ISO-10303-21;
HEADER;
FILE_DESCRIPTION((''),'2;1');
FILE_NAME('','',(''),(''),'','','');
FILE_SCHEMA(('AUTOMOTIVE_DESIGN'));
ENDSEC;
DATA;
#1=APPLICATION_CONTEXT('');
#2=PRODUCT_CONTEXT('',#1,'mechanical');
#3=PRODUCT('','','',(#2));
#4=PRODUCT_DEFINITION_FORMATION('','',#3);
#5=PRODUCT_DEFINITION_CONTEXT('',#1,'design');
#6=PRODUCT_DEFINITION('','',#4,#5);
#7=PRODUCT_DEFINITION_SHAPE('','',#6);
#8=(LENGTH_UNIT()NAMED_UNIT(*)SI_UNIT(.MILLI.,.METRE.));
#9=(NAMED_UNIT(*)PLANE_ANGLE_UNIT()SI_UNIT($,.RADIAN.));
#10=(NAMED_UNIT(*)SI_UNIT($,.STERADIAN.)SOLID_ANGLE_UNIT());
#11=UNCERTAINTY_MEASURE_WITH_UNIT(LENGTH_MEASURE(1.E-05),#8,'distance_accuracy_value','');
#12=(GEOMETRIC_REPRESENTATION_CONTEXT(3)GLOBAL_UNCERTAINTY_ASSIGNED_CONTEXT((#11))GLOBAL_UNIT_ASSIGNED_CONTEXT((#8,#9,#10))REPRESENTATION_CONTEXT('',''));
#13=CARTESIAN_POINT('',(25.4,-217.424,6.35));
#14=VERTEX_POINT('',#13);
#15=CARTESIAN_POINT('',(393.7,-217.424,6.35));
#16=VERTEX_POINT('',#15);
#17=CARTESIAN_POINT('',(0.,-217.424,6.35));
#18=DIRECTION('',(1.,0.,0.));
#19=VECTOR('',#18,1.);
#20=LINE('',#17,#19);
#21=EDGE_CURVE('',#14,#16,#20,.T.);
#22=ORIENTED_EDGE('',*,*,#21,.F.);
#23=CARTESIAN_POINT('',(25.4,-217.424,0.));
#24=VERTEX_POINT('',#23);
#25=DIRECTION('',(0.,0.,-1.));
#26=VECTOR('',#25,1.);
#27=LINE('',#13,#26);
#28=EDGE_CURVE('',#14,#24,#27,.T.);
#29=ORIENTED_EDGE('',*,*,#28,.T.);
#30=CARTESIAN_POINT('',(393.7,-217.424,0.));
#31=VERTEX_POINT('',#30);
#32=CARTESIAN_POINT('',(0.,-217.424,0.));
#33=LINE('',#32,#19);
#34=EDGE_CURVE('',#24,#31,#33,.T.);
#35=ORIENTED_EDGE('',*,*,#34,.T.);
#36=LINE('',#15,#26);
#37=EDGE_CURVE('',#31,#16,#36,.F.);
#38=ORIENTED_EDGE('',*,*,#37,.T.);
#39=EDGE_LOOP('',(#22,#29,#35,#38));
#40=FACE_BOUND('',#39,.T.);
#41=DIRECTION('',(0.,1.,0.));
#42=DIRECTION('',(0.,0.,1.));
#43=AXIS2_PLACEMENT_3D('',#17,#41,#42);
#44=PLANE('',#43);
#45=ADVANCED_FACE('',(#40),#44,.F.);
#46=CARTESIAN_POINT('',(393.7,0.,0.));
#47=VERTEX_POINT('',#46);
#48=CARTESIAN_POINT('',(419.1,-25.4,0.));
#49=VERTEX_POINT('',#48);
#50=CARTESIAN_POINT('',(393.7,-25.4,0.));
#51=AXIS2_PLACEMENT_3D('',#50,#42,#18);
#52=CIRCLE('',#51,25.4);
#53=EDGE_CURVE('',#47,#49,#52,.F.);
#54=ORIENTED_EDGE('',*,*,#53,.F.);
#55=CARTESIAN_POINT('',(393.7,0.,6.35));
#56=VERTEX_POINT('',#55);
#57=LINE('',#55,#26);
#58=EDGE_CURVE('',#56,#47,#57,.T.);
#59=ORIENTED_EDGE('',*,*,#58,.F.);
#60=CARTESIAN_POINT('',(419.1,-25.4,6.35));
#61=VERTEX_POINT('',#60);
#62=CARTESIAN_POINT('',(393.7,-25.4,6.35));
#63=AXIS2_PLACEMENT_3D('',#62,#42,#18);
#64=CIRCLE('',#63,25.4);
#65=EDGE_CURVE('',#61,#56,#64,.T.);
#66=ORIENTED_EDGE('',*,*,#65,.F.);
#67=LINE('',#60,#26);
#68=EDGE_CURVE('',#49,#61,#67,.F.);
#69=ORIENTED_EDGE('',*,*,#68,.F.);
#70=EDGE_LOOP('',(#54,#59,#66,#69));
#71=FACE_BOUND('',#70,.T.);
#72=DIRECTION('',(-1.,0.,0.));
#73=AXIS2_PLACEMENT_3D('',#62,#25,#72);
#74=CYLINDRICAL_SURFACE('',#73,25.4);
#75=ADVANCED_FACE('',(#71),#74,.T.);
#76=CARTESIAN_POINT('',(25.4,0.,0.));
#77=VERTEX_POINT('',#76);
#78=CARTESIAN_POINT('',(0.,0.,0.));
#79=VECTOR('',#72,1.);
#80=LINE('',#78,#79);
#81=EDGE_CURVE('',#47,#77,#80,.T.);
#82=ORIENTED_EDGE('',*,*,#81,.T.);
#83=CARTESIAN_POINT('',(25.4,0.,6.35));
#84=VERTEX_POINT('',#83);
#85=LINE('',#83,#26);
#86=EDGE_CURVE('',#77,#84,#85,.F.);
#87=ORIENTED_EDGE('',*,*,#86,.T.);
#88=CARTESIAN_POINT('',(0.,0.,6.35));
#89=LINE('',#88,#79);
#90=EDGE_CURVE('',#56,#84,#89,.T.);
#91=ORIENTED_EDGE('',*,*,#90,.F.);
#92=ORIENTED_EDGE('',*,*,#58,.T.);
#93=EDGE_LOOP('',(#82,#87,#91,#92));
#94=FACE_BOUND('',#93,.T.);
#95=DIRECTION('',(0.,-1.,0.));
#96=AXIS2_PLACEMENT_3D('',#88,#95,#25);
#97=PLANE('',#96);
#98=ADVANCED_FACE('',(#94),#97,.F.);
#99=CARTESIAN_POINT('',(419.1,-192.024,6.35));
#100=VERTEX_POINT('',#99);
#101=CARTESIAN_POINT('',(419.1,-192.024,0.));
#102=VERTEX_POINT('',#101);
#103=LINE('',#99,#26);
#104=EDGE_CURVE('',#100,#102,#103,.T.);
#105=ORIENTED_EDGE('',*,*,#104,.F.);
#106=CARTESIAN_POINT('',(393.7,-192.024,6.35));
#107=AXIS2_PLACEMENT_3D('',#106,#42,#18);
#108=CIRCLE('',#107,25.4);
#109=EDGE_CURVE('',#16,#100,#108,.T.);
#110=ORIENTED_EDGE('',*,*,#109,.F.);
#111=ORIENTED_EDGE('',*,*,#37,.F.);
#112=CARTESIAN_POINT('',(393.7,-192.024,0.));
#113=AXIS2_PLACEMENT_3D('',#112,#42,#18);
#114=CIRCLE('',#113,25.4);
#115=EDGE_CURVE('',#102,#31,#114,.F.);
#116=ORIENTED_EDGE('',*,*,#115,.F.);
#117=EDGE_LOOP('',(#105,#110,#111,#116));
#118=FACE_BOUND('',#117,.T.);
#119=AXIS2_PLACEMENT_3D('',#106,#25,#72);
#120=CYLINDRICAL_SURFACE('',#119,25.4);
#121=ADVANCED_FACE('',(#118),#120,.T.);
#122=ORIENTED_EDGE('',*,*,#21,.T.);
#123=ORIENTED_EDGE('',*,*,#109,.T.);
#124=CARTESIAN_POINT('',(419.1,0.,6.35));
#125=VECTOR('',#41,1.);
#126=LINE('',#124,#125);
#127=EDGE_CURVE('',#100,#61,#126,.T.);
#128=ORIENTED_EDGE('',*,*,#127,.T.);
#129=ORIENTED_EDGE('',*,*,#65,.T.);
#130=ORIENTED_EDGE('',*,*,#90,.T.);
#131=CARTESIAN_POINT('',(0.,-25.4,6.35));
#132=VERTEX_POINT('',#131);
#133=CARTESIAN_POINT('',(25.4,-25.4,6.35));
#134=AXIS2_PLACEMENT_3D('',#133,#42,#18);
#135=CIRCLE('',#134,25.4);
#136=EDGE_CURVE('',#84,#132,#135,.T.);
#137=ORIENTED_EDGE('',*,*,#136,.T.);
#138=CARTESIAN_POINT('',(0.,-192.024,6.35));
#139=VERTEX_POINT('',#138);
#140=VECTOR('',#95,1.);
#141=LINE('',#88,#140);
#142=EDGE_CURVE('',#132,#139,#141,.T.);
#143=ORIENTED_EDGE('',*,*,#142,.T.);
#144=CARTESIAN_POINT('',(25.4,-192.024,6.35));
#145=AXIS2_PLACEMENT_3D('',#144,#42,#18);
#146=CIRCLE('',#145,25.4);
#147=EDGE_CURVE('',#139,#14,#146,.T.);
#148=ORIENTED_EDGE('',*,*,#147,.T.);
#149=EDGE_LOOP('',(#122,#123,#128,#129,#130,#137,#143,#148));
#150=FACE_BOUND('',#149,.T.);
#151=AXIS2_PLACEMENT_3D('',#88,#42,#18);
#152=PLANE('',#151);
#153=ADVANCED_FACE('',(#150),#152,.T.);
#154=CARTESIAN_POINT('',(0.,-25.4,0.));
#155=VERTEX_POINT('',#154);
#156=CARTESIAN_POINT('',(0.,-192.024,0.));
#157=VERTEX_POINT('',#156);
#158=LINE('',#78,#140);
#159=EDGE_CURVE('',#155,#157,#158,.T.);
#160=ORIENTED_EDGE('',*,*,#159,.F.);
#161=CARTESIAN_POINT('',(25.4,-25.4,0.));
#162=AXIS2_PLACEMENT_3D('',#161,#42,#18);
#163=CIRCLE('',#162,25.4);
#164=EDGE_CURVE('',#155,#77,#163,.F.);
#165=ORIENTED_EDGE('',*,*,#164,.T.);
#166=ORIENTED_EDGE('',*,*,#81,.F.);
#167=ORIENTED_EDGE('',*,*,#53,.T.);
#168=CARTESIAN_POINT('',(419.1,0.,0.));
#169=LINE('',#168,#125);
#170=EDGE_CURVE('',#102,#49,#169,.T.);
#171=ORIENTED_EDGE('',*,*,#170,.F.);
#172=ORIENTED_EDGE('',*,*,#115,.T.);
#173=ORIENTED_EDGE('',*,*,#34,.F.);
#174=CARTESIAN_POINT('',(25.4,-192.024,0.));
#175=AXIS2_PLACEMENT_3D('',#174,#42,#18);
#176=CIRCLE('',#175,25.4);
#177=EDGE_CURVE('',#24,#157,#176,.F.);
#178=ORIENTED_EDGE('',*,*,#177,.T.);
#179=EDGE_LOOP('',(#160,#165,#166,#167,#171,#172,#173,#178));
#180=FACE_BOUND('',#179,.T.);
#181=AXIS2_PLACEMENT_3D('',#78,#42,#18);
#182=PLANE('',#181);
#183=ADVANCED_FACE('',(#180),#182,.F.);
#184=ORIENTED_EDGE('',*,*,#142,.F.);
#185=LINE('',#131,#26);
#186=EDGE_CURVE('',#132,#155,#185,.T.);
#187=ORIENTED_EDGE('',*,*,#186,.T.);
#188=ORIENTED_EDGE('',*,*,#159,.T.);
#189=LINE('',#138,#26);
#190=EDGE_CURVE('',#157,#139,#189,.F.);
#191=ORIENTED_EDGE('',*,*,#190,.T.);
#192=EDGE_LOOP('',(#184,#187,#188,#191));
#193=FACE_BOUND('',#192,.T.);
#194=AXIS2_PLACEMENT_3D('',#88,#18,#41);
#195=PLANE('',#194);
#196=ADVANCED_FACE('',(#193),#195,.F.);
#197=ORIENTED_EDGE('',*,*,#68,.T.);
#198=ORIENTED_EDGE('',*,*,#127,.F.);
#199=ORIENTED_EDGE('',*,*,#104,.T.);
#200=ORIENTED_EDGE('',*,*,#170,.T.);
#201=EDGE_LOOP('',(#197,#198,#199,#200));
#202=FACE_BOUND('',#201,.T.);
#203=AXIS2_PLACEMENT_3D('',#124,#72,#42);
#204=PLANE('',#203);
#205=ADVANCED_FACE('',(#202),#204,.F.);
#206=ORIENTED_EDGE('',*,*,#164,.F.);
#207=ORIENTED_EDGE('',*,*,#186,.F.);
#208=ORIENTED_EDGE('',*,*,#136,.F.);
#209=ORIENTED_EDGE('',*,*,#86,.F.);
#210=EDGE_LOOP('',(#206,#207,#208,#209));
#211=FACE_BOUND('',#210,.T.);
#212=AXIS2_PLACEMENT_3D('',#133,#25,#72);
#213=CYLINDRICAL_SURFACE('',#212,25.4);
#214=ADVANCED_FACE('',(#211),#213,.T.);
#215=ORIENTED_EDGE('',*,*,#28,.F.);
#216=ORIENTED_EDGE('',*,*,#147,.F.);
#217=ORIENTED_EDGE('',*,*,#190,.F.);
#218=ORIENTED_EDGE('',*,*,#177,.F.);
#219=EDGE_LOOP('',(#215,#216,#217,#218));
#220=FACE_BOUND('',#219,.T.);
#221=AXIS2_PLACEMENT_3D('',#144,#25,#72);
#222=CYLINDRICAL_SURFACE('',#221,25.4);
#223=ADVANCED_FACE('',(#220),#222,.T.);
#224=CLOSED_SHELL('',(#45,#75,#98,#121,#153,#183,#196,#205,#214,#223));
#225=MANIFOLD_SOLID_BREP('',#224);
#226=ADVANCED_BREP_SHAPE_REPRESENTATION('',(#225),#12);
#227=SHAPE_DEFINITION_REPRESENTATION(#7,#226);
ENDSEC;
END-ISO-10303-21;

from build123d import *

# Parameters (mm, degrees)
SKETCH1_W           = 419.1
SKETCH1_H           = 217.424
BOSS_EXTRUDE1_DEPTH = 6.35
FILLET1_R           = 25.4
FILLET2_R           = 25.4
FILLET3_R           = 25.4
FILLET4_R           = 25.4


with BuildPart() as part:
    # Sketch1 → Boss-Extrude1 (new body)
    with BuildSketch(Plane.XY):
        with Locations((209.55, -108.712)):
            Rectangle(SKETCH1_W, SKETCH1_H)
    extrude(amount=BOSS_EXTRUDE1_DEPTH)

    # Fillet1
    fillet1_edges = [part.edges().sort_by_distance(p)[0] for p in [
        (419.1, 0, 3.175),
    ]]
    fillet(fillet1_edges, radius=FILLET1_R)

    # Fillet2
    fillet2_edges = [part.edges().sort_by_distance(p)[0] for p in [
        (0, 0, 3.175),
    ]]
    fillet(fillet2_edges, radius=FILLET2_R)

    # Fillet3
    fillet3_edges = [part.edges().sort_by_distance(p)[0] for p in [
        (0, -217.424, 3.175),
    ]]
    fillet(fillet3_edges, radius=FILLET3_R)

    # Fillet4
    fillet4_edges = [part.edges().sort_by_distance(p)[0] for p in [
        (419.1, -217.424, 3.175),
    ]]
    fillet(fillet4_edges, radius=FILLET4_R)


solid = part.part
